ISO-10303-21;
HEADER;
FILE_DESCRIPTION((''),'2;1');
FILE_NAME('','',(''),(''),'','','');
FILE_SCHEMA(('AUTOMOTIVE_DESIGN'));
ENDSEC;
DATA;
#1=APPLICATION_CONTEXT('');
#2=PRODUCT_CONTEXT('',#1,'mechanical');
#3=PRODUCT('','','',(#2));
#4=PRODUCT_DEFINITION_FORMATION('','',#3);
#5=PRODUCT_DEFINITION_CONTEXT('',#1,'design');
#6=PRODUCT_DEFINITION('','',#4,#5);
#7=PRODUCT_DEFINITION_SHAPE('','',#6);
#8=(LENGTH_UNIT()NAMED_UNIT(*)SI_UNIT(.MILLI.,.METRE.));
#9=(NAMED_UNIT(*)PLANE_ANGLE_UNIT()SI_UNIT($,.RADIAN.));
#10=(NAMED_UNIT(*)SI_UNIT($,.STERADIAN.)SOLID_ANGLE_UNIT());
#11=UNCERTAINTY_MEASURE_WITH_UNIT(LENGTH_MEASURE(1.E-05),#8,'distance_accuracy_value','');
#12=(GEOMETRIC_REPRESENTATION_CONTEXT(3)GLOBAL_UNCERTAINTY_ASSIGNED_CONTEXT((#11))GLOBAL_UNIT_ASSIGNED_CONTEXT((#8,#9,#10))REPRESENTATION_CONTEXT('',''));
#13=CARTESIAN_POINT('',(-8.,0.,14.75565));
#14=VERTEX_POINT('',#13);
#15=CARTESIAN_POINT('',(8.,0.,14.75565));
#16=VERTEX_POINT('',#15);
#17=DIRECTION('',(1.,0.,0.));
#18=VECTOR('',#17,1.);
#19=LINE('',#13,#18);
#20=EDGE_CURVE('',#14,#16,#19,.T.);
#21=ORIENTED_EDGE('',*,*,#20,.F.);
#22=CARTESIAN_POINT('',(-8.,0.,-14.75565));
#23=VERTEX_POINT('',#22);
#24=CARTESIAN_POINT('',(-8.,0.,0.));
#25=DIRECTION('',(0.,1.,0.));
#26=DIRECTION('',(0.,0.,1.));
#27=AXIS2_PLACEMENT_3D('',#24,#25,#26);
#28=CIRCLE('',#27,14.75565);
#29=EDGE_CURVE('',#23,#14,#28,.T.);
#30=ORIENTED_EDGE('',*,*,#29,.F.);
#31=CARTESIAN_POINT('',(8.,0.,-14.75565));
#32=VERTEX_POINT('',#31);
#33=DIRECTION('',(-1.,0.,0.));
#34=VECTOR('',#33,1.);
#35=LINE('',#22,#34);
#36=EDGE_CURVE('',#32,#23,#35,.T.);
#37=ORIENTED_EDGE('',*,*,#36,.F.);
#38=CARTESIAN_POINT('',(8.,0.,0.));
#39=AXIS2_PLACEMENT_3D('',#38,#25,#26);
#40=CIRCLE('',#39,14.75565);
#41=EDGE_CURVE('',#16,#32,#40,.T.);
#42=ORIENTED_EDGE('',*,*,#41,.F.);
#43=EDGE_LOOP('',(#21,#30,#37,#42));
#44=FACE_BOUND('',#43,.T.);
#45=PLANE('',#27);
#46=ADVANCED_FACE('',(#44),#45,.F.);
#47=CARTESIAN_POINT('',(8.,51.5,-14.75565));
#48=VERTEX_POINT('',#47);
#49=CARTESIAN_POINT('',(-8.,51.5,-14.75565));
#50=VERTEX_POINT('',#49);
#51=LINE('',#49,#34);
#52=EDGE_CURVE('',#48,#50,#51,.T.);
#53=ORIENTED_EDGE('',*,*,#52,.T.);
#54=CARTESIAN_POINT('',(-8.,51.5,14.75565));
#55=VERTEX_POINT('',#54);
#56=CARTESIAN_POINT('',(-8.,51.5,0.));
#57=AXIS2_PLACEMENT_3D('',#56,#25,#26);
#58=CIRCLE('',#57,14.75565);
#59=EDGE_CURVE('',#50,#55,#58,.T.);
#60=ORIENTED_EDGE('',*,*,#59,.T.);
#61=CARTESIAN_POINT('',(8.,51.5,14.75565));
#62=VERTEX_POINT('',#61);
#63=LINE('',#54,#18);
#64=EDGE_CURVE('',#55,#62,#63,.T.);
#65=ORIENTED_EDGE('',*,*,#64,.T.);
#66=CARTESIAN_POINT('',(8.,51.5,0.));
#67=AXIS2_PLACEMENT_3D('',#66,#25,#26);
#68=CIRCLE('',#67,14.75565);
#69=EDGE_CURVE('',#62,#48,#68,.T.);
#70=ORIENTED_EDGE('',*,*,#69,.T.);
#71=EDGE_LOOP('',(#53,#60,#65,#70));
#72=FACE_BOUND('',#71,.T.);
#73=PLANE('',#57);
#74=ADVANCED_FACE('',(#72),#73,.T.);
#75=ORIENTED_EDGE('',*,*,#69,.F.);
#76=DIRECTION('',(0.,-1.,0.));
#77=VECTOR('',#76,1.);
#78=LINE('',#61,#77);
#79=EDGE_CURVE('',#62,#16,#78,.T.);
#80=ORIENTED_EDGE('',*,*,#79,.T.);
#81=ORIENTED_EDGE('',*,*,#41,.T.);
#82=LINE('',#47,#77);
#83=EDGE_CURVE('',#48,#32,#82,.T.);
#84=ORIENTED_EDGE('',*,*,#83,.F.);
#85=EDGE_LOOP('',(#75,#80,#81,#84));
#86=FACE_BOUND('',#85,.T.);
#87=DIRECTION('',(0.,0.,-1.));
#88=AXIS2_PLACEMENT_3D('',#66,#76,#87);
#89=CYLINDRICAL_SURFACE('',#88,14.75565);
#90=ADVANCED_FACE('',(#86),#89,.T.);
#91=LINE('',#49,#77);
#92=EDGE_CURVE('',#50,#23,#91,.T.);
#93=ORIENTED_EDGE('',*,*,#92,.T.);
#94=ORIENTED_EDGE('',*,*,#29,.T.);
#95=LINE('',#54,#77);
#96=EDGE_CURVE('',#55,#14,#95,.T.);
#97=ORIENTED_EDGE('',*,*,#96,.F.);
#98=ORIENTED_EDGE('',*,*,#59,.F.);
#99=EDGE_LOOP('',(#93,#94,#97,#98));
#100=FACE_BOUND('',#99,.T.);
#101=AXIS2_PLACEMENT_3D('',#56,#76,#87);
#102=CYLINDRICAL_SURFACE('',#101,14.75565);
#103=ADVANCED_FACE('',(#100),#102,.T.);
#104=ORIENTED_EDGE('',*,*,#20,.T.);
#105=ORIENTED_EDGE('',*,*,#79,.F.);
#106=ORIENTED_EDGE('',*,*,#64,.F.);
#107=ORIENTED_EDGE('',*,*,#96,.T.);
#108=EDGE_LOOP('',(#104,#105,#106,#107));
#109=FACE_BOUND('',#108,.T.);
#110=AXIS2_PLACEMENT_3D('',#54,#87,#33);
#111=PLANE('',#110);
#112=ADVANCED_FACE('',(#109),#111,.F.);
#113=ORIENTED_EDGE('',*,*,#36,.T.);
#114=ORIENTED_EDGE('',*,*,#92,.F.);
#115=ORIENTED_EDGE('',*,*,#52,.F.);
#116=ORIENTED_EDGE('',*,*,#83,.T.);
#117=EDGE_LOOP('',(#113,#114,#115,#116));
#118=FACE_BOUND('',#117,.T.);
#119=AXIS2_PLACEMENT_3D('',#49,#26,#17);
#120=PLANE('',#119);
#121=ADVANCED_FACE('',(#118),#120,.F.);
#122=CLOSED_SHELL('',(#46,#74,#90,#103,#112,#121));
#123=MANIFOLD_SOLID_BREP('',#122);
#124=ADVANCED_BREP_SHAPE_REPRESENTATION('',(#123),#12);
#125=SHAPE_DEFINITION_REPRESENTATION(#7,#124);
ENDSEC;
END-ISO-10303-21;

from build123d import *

# Parameters (mm, degrees)
BOSS_EXTRUDE1_DEPTH = 51.5


with BuildPart() as part:
    # Sketch3 → Boss-Extrude1 (new body)
    with BuildSketch(Plane(origin=(0, 0, 0), x_dir=(1, 0, 0), z_dir=(0, 1, 0))):
        with BuildLine():
            Line((-8, 14.75565), (8, 14.75565))
            ThreePointArc((8, 14.75565), (22.75565, 0), (8, -14.75565))
            Line((8, -14.75565), (-8, -14.75565))
            ThreePointArc((-8, -14.75565), (-22.75565, 0), (-8, 14.75565))
        make_face()
    extrude(amount=BOSS_EXTRUDE1_DEPTH)


solid = part.part
